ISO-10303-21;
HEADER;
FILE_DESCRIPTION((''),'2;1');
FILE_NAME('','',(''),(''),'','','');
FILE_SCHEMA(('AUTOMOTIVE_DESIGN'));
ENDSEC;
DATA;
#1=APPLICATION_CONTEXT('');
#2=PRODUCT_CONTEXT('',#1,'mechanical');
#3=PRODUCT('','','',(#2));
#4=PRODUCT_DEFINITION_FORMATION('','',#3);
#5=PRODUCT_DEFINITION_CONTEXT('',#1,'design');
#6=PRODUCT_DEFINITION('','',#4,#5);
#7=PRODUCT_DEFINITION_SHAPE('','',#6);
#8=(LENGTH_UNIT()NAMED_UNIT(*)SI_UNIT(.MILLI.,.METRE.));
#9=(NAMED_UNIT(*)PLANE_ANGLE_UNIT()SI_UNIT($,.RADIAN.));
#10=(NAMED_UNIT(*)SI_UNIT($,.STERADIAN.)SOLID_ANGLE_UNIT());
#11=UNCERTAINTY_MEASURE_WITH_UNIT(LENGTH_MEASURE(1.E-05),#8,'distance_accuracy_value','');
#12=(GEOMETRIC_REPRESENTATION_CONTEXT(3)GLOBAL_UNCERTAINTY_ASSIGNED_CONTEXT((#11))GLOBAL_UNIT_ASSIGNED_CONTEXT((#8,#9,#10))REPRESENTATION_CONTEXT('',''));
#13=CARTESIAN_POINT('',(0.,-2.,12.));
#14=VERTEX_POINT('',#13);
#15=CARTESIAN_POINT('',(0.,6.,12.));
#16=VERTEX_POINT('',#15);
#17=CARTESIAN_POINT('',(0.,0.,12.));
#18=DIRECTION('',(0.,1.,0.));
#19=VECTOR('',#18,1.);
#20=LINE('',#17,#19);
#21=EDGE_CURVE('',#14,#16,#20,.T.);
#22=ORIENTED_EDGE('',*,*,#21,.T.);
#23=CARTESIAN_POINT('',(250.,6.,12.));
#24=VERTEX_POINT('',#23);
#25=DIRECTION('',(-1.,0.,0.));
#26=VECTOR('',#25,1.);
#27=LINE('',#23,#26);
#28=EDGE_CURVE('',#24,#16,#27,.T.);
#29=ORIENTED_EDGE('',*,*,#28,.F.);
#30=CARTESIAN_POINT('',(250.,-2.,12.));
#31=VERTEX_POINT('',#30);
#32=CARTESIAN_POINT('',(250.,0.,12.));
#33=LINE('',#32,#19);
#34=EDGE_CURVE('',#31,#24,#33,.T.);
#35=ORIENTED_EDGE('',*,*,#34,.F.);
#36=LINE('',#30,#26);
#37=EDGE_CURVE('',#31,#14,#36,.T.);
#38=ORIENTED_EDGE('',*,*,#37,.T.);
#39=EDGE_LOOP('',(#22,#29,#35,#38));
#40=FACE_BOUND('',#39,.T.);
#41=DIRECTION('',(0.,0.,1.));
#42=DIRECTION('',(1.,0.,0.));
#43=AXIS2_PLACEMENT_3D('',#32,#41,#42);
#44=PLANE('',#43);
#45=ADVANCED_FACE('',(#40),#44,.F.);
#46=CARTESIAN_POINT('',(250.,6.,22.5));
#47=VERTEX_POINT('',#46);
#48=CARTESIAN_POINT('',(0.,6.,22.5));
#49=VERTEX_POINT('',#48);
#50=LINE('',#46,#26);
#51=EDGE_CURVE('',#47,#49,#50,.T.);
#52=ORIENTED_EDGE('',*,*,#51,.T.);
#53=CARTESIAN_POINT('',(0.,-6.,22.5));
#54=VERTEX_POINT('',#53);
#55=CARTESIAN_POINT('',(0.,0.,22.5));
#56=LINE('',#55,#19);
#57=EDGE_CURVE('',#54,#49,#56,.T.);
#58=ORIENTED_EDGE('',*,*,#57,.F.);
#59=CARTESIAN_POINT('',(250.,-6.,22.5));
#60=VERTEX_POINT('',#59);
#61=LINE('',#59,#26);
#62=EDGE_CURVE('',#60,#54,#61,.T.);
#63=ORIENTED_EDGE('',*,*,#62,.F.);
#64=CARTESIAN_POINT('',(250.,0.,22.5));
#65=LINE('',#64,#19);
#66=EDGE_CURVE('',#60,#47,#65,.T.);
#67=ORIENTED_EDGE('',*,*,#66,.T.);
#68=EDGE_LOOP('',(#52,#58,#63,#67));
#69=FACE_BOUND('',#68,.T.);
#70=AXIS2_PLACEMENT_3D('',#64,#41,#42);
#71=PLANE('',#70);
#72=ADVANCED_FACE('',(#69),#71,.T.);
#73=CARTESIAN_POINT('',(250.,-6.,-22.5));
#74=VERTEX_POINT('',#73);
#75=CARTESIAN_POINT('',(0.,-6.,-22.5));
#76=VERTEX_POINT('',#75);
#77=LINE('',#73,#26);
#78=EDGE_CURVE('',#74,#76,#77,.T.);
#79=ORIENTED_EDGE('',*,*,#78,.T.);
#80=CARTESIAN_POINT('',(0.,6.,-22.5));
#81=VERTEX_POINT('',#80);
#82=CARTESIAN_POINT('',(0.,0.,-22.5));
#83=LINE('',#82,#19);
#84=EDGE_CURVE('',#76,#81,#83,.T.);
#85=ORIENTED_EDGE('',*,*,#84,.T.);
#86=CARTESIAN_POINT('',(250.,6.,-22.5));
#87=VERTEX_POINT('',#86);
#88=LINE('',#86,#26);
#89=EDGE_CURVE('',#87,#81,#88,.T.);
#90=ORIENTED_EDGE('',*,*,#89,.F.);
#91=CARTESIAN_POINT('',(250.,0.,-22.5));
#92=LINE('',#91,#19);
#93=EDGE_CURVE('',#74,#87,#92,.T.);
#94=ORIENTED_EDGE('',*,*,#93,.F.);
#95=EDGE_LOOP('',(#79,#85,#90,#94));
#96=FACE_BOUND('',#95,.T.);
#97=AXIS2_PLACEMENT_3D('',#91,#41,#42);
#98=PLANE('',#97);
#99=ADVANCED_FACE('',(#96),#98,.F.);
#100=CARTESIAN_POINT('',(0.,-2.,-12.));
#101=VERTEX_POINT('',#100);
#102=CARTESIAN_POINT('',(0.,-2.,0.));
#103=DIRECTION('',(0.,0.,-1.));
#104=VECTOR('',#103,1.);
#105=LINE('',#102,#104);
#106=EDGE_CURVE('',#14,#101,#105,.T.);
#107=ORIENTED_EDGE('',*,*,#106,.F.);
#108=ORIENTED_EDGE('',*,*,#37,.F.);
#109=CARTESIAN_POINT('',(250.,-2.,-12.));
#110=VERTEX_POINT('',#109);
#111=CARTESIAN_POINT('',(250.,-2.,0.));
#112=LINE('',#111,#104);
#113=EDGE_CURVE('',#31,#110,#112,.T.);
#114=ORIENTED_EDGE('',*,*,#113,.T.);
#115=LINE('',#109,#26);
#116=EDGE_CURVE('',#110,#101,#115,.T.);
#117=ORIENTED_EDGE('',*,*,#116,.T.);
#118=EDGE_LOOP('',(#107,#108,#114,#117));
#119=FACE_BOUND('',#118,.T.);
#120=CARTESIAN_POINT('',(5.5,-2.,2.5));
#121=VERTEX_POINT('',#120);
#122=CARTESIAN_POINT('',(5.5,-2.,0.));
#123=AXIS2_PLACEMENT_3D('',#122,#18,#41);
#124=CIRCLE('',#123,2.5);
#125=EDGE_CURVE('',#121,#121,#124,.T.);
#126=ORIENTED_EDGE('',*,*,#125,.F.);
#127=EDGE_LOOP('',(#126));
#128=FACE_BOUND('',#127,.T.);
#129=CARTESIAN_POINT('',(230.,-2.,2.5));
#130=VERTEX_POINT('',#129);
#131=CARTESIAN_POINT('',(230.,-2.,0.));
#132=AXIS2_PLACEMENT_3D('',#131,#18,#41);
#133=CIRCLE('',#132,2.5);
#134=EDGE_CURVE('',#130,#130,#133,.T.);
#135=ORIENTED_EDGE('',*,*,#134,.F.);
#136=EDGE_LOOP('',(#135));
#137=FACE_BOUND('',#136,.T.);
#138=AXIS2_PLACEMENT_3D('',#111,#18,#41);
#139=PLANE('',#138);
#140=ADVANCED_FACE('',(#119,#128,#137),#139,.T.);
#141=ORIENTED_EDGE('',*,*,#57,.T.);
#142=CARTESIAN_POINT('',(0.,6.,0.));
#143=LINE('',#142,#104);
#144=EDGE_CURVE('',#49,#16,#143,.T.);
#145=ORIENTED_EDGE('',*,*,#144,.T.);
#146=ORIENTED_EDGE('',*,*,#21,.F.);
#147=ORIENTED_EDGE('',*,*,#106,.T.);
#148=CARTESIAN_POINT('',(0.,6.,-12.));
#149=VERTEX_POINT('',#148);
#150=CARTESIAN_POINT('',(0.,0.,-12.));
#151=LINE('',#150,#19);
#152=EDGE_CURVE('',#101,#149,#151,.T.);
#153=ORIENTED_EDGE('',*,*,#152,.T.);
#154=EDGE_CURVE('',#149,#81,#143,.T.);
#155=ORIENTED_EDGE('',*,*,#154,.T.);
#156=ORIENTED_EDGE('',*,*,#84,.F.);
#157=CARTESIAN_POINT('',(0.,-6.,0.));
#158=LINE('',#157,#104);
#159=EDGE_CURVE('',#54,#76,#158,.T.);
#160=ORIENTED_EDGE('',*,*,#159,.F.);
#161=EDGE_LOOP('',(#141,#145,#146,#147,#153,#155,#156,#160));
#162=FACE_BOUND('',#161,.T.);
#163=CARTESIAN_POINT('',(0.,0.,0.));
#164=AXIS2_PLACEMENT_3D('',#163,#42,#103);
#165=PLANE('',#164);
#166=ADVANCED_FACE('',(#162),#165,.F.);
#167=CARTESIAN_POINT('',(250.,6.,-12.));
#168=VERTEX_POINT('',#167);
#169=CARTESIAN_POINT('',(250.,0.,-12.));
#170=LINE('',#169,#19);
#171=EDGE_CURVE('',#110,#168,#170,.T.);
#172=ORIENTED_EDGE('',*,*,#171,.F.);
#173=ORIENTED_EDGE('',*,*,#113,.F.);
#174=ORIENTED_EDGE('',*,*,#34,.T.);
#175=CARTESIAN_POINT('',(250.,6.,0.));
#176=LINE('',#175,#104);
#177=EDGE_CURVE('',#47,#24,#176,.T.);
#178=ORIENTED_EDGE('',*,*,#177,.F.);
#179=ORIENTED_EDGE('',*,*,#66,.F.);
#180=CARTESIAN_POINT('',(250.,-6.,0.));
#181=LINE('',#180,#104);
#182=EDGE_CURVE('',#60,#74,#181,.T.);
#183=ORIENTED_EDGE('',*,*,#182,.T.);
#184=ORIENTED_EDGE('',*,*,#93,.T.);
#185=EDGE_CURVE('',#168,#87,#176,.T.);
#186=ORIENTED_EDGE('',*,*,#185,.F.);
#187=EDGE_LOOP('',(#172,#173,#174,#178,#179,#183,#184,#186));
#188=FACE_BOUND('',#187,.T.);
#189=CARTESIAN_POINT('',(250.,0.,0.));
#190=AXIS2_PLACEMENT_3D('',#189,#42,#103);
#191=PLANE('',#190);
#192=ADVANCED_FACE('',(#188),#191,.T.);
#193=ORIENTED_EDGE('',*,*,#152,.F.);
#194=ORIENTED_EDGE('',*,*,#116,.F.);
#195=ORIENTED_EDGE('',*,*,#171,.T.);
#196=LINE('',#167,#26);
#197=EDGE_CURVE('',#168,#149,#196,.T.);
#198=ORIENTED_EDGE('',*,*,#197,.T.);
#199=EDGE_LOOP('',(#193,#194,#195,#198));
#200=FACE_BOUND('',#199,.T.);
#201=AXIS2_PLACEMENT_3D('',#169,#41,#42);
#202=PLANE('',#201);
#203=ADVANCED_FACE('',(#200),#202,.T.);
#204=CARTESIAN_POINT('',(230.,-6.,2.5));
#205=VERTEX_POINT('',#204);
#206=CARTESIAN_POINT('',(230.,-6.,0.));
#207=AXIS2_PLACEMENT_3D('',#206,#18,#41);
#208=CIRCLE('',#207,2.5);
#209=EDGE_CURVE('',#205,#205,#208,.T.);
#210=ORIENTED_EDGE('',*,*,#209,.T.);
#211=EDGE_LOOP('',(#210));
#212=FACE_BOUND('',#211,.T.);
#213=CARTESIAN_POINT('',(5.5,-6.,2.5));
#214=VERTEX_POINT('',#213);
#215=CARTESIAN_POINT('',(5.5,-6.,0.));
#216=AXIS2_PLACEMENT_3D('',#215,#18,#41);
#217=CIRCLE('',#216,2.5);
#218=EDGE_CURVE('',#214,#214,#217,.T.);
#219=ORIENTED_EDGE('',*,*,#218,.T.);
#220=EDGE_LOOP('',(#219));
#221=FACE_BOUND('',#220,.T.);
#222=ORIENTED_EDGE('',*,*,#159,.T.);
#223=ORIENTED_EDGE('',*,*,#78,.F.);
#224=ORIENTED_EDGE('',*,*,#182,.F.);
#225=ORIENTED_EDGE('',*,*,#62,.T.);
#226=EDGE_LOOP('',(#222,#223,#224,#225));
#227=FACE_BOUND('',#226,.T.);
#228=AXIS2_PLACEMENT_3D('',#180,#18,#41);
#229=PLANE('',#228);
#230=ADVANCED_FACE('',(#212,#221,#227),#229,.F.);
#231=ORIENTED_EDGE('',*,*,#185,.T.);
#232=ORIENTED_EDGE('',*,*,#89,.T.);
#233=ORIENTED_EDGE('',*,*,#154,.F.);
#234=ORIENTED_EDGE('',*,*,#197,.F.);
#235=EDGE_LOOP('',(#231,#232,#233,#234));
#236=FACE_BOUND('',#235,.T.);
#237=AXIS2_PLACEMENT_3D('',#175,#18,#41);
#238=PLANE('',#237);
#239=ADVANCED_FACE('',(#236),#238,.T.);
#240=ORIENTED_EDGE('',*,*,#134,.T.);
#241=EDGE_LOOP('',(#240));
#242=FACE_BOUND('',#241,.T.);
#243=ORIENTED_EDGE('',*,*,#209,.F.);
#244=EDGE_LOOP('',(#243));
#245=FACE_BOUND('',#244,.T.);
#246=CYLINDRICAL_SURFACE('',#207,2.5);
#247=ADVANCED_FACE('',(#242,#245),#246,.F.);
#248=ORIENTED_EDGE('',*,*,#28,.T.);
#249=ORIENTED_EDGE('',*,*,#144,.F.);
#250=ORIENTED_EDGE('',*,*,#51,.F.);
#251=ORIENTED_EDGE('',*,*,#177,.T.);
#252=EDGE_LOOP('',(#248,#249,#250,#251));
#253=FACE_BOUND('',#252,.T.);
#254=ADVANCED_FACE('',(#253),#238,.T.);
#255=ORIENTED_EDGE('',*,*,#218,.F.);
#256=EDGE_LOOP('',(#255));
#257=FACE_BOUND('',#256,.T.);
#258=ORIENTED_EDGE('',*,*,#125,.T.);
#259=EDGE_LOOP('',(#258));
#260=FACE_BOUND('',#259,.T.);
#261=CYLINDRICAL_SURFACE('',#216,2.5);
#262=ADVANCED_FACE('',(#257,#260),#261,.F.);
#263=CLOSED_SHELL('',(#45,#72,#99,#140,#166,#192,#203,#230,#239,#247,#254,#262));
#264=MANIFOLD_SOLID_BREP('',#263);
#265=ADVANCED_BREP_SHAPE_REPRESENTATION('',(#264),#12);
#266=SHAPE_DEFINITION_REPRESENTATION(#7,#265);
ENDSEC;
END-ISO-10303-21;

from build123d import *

# Parameters (mm, degrees)
EXTRUDE_1_DEPTH     = 250
SKETCH_4_R          = 2.5
CUT_EXTRUDE_1_DEPTH = 252.082157869


with BuildPart() as part:
    # 草图2 → 凸台-拉伸1 (new body)
    with BuildSketch(Plane(origin=(0, 0, 0), x_dir=(0, 0, -1), z_dir=(1, 0, 0))):
        Polygon((-22.5, 6), (-22.5, -6), (22.5, -6), (22.5, 6), (12, 6), (12, -2), (-12, -2), (-12, 6), align=None)
    extrude(amount=EXTRUDE_1_DEPTH)

    # 草图4 → 切除-拉伸1 (cut, through all)
    with BuildSketch(Plane(origin=(0, 0, 0), x_dir=(1, 0, 0), z_dir=(0, 1, 0))):
        with Locations(Location((230, 0, 0), (0, 0, 270))):
            Circle(SKETCH_4_R)
        with Locations(Location((5.5, 0, 0), (0, 0, 270))):
            Circle(SKETCH_4_R)
    extrude(amount=-CUT_EXTRUDE_1_DEPTH, mode=Mode.SUBTRACT)


solid = part.part
